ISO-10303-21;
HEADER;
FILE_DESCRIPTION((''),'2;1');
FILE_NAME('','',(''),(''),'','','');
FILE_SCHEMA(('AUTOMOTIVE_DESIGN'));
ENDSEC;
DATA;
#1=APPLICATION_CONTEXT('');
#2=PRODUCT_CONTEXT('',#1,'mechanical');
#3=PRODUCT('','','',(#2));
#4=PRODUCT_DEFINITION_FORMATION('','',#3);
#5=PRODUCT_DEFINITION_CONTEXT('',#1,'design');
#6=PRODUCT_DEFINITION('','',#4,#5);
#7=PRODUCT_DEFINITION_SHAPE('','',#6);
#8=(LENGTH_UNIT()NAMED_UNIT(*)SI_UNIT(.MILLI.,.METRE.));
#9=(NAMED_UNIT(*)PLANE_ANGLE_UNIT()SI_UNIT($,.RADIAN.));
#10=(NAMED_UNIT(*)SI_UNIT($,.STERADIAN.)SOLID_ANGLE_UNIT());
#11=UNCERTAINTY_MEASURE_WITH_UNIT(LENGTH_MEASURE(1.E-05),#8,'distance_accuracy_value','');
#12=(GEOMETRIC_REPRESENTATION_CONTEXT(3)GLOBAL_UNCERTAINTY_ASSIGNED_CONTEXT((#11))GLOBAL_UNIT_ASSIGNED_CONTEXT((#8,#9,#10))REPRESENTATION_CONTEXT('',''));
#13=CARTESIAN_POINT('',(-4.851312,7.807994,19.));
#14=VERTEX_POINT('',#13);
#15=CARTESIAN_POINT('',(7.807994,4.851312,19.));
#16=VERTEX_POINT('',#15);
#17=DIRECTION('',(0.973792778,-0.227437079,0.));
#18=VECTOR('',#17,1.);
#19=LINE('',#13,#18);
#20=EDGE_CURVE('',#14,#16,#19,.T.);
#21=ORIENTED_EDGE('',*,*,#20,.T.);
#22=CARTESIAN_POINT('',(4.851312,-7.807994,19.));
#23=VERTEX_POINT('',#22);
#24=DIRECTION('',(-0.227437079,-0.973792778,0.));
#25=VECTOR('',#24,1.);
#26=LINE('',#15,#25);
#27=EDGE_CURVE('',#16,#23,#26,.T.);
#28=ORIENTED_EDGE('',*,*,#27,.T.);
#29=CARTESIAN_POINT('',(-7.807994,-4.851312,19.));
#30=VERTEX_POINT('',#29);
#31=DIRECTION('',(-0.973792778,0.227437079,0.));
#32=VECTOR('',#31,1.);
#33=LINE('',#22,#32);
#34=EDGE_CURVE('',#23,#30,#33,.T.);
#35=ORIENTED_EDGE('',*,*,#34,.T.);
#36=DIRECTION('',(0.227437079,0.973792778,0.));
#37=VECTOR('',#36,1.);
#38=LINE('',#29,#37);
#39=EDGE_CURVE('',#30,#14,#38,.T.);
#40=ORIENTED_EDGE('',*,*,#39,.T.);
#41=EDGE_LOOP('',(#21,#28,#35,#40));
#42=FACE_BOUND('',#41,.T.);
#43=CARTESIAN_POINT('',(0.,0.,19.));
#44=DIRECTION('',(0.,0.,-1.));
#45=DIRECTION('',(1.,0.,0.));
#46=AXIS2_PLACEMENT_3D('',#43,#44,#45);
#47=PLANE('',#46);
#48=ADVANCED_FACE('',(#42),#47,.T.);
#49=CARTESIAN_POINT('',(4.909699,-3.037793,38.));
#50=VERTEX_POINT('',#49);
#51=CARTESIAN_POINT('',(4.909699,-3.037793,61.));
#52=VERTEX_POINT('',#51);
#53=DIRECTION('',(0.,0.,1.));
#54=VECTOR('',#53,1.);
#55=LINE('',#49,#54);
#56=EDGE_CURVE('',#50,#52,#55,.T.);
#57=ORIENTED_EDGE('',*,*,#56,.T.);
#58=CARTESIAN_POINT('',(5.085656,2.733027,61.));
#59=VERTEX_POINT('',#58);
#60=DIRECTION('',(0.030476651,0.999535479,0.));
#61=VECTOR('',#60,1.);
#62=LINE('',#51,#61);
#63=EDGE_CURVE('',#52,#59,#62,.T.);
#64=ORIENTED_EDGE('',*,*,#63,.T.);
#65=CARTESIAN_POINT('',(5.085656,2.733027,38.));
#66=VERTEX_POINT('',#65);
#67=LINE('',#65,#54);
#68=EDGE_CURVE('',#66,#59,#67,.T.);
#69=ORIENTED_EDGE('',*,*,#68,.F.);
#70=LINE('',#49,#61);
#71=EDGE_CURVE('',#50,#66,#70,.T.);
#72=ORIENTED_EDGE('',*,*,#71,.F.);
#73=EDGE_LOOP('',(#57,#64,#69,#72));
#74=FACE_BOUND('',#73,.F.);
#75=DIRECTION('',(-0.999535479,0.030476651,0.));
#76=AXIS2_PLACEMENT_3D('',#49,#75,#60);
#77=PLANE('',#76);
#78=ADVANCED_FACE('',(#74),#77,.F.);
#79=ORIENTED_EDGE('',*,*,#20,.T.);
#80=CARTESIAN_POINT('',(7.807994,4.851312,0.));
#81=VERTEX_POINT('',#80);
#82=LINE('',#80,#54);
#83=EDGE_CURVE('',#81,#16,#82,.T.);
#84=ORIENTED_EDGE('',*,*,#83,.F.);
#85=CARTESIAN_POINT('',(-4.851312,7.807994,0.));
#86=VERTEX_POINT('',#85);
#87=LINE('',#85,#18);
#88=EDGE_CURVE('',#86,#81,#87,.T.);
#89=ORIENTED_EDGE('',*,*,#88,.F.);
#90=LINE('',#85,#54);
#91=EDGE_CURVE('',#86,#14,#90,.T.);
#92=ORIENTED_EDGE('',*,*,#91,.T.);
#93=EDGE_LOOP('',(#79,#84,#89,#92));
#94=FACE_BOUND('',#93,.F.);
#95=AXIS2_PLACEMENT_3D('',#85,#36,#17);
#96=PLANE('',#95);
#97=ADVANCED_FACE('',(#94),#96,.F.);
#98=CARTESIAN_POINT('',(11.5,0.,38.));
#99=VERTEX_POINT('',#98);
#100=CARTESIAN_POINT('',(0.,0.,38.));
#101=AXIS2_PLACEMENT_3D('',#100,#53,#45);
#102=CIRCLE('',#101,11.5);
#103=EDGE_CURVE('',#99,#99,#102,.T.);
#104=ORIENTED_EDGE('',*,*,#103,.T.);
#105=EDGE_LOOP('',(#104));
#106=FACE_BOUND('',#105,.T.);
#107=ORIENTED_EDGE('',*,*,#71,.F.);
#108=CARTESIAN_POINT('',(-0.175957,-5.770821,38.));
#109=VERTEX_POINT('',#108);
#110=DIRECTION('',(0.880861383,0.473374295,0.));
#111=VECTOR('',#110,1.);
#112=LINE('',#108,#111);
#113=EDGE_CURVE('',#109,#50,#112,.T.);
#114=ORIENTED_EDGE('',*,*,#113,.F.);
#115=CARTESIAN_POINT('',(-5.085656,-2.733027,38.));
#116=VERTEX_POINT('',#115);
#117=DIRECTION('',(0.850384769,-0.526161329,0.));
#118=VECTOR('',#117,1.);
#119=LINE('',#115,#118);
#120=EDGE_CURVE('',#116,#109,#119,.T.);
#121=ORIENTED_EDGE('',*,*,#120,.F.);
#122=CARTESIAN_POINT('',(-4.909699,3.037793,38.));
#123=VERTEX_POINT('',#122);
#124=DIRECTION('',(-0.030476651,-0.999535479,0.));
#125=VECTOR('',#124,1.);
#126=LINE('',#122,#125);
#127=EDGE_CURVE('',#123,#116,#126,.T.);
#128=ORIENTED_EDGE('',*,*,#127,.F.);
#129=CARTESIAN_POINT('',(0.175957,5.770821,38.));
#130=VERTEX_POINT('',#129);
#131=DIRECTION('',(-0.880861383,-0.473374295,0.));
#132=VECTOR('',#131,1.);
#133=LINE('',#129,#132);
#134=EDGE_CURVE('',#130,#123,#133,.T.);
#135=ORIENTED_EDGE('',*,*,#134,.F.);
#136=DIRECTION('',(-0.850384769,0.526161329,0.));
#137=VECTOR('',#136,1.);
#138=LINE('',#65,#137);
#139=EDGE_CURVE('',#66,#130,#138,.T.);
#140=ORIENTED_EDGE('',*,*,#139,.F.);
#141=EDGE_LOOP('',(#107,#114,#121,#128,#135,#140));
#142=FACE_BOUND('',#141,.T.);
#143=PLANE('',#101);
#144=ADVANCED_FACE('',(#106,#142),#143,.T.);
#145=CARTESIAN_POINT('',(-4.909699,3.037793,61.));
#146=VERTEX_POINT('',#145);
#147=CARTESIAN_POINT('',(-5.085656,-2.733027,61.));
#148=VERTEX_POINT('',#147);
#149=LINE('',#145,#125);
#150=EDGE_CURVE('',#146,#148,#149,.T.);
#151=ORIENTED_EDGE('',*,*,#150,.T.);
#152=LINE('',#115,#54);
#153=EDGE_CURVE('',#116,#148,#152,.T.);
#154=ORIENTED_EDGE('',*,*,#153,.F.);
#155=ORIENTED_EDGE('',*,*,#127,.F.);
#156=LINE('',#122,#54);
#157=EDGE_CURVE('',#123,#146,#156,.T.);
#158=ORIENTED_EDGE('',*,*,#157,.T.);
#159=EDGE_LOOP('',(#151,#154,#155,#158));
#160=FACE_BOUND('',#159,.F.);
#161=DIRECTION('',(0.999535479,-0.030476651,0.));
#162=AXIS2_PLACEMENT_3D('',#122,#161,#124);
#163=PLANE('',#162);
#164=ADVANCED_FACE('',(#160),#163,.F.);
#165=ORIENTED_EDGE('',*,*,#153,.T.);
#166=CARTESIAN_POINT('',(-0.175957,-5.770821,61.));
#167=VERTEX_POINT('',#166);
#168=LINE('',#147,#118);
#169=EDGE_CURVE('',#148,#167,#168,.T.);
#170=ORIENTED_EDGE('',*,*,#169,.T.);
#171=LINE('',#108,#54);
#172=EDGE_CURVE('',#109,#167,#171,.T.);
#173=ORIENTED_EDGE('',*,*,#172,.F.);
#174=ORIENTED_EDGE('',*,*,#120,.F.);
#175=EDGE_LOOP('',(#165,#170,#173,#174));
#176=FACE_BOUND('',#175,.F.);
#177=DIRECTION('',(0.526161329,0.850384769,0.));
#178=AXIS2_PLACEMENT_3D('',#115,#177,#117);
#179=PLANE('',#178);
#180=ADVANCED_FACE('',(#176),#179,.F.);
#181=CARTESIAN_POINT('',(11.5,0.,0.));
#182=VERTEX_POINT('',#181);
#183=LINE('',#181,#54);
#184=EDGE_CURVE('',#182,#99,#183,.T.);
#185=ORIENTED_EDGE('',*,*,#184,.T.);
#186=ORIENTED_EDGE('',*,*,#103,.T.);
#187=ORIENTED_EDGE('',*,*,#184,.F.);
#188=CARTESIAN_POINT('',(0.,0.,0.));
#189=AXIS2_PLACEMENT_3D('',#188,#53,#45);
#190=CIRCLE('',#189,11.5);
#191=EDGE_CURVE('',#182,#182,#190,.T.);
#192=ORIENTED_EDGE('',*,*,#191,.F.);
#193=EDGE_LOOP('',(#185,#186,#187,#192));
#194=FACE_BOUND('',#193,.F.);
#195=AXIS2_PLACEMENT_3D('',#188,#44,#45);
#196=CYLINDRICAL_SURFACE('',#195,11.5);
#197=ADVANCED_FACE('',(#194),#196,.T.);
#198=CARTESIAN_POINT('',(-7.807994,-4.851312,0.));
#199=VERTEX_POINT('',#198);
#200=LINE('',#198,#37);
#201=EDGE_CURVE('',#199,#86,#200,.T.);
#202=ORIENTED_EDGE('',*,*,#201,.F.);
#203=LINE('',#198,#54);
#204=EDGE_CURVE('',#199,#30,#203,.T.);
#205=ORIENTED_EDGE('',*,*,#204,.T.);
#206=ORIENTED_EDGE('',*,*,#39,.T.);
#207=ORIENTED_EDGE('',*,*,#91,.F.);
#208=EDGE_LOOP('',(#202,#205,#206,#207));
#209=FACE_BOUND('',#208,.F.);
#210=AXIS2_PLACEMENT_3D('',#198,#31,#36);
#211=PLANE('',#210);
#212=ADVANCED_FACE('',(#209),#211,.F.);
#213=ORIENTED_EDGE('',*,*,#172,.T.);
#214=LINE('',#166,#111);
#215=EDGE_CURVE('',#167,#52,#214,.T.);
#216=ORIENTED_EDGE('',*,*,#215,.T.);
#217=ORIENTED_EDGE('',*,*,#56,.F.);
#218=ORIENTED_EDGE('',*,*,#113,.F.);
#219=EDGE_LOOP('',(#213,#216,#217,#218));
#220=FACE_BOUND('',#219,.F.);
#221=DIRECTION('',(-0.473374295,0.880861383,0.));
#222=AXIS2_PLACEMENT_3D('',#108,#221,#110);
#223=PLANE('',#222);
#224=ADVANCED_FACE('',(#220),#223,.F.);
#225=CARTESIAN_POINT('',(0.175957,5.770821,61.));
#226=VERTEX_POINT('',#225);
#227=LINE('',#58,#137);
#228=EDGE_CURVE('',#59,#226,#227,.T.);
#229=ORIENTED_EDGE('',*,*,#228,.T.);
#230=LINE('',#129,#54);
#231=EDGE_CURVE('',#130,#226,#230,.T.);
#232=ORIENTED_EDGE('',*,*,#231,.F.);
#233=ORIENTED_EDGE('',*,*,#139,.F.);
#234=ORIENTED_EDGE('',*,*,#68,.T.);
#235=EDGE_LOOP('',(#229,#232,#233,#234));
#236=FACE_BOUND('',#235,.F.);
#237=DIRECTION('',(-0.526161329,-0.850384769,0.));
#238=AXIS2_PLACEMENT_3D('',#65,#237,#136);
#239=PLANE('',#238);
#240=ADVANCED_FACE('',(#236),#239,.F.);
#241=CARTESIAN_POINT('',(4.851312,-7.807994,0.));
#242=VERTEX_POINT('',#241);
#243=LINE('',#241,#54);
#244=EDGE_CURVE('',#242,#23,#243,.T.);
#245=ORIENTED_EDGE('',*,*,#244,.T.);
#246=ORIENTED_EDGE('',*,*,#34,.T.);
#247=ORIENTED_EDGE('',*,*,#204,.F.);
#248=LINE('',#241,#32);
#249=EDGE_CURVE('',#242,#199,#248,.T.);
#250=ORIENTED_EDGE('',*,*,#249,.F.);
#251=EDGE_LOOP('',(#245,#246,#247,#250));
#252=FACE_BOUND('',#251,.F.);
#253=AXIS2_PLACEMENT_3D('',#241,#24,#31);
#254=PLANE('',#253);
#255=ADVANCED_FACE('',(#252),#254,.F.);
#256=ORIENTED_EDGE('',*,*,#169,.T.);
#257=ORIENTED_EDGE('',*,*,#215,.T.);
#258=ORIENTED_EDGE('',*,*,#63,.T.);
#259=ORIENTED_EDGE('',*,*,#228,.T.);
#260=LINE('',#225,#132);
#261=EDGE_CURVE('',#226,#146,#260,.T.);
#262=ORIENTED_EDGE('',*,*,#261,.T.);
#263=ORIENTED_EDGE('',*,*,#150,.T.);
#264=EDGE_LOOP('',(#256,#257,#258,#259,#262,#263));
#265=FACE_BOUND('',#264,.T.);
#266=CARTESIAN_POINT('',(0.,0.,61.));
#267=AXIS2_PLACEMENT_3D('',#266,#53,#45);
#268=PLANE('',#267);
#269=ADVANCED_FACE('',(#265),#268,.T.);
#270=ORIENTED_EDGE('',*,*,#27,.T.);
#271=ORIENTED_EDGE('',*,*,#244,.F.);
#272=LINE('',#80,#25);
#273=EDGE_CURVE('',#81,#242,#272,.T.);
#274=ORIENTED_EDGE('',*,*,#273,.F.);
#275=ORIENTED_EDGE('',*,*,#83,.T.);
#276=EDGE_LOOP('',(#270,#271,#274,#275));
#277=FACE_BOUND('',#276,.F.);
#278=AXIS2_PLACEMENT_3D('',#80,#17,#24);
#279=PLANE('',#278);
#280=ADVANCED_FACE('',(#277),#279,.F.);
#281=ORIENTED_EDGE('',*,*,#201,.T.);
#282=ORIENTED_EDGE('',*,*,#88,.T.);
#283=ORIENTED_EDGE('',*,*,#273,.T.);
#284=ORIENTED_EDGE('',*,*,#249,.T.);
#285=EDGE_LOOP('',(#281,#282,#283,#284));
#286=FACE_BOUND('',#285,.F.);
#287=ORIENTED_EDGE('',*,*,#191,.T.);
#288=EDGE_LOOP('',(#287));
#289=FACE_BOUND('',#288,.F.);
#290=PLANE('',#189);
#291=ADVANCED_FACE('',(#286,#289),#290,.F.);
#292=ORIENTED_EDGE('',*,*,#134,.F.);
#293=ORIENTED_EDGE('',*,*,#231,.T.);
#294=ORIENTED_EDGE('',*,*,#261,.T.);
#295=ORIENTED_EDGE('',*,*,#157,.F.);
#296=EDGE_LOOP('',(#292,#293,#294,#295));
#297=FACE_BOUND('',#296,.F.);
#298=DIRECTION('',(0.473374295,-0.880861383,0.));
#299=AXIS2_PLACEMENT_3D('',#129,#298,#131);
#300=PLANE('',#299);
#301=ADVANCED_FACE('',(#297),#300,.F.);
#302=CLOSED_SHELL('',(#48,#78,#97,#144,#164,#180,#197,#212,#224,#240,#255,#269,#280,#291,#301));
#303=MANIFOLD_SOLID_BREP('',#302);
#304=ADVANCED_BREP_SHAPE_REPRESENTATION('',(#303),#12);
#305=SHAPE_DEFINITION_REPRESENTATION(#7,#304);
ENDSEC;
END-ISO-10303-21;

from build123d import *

# Parameters (mm, degrees)
F0_R     = 11.5
F1_DEPTH = 38
F3_DEPTH = 23
F5_DEPTH = 19


with BuildPart() as f1:
    # F0 (on Top) → F1 (new body)
    with BuildSketch(Plane.XY):
        Circle(F0_R)
    extrude(amount=F1_DEPTH)

    # F2 (on face) → F3 (join)
    with BuildSketch(Plane.XY.offset(38)):
        Polygon((5.085656, 2.733027), (0.175957, 5.770821), (-4.909699, 3.037793), (-5.085656, -2.733027), (-0.175957, -5.770821), (4.909699, -3.037793), align=None)
    extrude(amount=F3_DEPTH)

    # F4 (on face) → F5 (cut)
    with BuildSketch(Plane(origin=(0, 0, 0), x_dir=(1, 0, 0), z_dir=(0, 0, -1))):
        Polygon((7.807994, -4.851312), (4.851312, 7.807994), (-7.807994, 4.851312), (-4.851312, -7.807994), align=None)
    extrude(amount=-F5_DEPTH, mode=Mode.SUBTRACT)


solid = f1.part
